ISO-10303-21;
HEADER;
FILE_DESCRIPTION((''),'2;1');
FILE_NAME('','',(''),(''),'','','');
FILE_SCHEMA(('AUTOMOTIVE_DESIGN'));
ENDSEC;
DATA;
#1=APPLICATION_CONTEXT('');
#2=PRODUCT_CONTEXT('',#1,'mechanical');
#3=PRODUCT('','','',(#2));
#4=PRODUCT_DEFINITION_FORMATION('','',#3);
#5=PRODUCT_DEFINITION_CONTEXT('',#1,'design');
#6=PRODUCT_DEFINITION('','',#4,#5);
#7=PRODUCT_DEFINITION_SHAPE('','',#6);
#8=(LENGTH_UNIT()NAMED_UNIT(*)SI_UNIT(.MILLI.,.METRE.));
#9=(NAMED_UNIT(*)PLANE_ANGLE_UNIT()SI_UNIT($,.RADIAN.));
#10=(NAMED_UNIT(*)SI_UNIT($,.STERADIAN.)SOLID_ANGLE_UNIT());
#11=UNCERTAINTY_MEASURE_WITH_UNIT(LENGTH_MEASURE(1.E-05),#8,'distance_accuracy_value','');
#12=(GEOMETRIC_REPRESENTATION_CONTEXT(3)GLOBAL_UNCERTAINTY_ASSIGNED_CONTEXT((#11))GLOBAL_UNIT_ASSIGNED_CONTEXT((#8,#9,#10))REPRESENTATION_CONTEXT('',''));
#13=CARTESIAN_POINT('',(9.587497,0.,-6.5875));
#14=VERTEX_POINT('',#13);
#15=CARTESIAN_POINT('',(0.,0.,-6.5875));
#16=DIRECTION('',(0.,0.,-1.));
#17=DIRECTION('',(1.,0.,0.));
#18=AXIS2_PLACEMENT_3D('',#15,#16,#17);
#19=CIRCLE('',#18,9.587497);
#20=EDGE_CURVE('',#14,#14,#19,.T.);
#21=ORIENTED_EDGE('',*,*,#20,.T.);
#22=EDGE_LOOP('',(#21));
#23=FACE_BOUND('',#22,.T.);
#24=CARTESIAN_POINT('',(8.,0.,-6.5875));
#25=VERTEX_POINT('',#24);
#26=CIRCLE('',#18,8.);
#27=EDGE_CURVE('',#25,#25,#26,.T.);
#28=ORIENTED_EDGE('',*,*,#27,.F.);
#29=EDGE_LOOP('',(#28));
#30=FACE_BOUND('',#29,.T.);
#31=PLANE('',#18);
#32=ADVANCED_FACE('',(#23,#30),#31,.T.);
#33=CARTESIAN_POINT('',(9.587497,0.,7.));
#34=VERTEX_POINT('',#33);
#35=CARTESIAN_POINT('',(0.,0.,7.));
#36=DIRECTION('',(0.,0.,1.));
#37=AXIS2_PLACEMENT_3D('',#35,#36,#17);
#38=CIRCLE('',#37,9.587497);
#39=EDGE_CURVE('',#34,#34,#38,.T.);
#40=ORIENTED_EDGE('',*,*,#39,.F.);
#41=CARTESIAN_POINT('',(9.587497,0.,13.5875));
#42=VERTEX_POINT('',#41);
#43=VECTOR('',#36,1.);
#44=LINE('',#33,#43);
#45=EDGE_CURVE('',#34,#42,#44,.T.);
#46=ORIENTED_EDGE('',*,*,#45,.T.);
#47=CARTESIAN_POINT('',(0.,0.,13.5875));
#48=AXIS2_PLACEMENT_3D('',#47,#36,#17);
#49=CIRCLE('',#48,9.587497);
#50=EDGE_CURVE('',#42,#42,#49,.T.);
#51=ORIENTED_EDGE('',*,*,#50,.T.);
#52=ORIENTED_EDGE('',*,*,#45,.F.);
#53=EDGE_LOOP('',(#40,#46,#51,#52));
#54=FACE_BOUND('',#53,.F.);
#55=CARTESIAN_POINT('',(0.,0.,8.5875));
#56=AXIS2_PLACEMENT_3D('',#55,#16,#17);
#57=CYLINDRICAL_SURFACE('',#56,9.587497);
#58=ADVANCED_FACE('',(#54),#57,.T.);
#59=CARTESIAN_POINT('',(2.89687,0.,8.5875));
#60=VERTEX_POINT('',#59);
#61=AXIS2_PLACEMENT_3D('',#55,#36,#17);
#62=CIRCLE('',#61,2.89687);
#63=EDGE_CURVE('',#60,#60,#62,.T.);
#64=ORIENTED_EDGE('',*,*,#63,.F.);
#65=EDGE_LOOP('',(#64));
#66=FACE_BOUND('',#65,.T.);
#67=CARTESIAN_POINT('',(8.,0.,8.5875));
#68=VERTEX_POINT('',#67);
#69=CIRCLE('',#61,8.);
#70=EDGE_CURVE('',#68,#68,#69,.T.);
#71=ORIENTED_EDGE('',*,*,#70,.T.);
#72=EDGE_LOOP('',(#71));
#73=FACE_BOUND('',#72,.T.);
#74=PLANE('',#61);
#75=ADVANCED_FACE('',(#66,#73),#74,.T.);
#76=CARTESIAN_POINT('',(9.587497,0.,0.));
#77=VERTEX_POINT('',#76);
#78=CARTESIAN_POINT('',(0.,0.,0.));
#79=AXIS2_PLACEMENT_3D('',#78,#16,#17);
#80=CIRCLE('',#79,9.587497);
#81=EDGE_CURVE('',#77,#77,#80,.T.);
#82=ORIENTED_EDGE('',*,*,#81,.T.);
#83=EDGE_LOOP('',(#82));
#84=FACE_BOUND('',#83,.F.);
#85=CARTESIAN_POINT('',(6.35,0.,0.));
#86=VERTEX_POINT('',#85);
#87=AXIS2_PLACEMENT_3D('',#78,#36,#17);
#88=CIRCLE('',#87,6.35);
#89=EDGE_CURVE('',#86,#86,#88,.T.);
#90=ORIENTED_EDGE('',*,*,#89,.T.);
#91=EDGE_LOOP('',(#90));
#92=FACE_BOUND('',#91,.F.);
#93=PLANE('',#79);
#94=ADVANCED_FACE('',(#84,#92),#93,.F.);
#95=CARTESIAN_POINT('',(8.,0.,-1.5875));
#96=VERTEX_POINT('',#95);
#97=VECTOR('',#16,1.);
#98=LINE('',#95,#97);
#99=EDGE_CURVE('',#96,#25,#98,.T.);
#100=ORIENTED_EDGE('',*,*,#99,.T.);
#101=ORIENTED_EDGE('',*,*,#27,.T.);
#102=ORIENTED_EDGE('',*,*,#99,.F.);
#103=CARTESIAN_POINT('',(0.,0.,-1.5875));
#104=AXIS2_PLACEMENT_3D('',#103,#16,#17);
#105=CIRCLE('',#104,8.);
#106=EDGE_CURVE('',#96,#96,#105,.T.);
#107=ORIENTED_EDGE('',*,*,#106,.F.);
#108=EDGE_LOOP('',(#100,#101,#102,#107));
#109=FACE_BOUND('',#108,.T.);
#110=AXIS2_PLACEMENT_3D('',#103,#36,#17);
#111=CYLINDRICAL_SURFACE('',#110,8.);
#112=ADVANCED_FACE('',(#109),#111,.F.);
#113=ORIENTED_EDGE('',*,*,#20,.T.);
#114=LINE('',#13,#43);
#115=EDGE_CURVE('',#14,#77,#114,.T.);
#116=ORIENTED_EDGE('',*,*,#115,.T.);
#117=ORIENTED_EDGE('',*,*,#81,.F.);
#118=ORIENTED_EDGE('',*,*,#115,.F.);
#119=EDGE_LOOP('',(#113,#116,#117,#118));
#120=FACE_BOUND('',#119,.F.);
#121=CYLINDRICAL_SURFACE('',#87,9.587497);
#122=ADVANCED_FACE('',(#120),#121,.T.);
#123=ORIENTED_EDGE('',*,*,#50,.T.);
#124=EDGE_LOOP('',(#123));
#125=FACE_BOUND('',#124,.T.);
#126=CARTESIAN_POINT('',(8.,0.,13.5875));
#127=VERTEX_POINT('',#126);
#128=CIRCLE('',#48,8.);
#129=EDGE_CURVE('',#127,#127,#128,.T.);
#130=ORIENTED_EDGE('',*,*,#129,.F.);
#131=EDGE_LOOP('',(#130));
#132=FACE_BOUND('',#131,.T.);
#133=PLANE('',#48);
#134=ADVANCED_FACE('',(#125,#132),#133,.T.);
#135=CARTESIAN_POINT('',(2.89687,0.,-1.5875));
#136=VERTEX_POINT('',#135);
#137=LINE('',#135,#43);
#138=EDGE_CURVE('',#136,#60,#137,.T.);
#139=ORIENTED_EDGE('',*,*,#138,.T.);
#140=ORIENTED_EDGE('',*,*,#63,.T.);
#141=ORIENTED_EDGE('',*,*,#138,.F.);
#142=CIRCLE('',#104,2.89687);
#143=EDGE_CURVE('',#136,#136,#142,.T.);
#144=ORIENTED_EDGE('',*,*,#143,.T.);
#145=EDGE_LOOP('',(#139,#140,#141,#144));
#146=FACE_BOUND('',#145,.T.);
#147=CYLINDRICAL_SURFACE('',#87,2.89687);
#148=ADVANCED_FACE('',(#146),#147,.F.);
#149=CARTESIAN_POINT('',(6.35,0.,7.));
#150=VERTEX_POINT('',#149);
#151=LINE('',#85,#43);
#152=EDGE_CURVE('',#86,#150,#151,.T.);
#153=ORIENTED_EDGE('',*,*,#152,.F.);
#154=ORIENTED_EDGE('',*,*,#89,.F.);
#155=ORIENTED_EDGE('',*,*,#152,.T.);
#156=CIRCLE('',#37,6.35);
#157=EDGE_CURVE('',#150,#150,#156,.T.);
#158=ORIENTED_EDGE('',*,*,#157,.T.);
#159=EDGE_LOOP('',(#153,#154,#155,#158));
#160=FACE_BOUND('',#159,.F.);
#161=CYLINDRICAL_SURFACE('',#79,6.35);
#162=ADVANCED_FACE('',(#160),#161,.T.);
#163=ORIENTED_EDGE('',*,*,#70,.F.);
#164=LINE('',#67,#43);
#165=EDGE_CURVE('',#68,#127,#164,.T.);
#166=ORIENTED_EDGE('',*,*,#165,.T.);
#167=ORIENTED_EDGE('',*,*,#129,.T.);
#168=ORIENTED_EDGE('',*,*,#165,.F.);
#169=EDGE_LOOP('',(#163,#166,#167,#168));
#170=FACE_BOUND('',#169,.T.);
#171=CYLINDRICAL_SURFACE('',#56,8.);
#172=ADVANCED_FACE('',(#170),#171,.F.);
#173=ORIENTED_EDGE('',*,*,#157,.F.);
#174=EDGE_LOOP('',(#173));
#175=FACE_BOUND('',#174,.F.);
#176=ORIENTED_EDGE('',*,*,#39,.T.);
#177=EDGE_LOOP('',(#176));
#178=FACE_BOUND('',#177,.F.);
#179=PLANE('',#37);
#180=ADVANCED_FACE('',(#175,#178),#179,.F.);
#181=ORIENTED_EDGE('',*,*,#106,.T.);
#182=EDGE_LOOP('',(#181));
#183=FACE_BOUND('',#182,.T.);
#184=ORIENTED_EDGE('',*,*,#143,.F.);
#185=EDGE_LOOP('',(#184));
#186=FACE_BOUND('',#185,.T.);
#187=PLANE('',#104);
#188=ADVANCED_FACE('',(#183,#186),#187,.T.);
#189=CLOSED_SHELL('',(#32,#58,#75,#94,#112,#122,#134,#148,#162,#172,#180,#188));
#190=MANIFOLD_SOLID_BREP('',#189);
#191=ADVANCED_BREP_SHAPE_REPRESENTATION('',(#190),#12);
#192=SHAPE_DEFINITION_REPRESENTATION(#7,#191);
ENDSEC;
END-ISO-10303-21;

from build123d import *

# Parameters (mm, degrees)
F0_R     = 6.35
F0_R_2   = 2.89687
F1_DEPTH = 7
F2_R     = 9.587497
F2_R_2   = 2.89687
F3_DEPTH = 1.5875
F4_R     = 9.587497
F4_R_2   = 8
F5_DEPTH = 5
F6_R     = 9.587497
F6_R_2   = 2.89687
F7_DEPTH = 1.5875
F8_R     = 9.587497
F8_R_2   = 8
F9_DEPTH = 5


with BuildPart() as f1:
    # F0 (on Top) → F1 (new body)
    with BuildSketch(Plane.XY):
        Circle(F0_R)
        Circle(F0_R_2, mode=Mode.SUBTRACT)
    extrude(amount=F1_DEPTH)

    # F2 (on face) → F3 (join)
    with BuildSketch(Plane.XY.offset(7)):
        Circle(F2_R)
        Circle(F2_R_2, mode=Mode.SUBTRACT)
    extrude(amount=F3_DEPTH)



with BuildPart() as f5:
    # F4 (on face) → F5 (new body)
    with BuildSketch(Plane(origin=(0, 0, -1.5875), x_dir=(1, 0, 0), z_dir=(0, 0, -1))):
        Circle(F4_R)
        Circle(F4_R_2, mode=Mode.SUBTRACT)
    extrude(amount=F5_DEPTH)


with BuildPart() as f1_1:
    add(f1.part)

    add(f5.part)  # F7 merges F5
    # F6 (on face) → F7 (join)
    with BuildSketch(Plane(origin=(0, 0, 0), x_dir=(1, 0, 0), z_dir=(0, 0, -1))):
        Circle(F6_R)
        Circle(F6_R_2, mode=Mode.SUBTRACT)
    extrude(amount=F7_DEPTH)

    # F8 (on face) → F9 (join)
    with BuildSketch(Plane.XY.offset(8.5875)):
        Circle(F8_R)
        Circle(F8_R_2, mode=Mode.SUBTRACT)
    extrude(amount=F9_DEPTH)


solid = f1_1.part
